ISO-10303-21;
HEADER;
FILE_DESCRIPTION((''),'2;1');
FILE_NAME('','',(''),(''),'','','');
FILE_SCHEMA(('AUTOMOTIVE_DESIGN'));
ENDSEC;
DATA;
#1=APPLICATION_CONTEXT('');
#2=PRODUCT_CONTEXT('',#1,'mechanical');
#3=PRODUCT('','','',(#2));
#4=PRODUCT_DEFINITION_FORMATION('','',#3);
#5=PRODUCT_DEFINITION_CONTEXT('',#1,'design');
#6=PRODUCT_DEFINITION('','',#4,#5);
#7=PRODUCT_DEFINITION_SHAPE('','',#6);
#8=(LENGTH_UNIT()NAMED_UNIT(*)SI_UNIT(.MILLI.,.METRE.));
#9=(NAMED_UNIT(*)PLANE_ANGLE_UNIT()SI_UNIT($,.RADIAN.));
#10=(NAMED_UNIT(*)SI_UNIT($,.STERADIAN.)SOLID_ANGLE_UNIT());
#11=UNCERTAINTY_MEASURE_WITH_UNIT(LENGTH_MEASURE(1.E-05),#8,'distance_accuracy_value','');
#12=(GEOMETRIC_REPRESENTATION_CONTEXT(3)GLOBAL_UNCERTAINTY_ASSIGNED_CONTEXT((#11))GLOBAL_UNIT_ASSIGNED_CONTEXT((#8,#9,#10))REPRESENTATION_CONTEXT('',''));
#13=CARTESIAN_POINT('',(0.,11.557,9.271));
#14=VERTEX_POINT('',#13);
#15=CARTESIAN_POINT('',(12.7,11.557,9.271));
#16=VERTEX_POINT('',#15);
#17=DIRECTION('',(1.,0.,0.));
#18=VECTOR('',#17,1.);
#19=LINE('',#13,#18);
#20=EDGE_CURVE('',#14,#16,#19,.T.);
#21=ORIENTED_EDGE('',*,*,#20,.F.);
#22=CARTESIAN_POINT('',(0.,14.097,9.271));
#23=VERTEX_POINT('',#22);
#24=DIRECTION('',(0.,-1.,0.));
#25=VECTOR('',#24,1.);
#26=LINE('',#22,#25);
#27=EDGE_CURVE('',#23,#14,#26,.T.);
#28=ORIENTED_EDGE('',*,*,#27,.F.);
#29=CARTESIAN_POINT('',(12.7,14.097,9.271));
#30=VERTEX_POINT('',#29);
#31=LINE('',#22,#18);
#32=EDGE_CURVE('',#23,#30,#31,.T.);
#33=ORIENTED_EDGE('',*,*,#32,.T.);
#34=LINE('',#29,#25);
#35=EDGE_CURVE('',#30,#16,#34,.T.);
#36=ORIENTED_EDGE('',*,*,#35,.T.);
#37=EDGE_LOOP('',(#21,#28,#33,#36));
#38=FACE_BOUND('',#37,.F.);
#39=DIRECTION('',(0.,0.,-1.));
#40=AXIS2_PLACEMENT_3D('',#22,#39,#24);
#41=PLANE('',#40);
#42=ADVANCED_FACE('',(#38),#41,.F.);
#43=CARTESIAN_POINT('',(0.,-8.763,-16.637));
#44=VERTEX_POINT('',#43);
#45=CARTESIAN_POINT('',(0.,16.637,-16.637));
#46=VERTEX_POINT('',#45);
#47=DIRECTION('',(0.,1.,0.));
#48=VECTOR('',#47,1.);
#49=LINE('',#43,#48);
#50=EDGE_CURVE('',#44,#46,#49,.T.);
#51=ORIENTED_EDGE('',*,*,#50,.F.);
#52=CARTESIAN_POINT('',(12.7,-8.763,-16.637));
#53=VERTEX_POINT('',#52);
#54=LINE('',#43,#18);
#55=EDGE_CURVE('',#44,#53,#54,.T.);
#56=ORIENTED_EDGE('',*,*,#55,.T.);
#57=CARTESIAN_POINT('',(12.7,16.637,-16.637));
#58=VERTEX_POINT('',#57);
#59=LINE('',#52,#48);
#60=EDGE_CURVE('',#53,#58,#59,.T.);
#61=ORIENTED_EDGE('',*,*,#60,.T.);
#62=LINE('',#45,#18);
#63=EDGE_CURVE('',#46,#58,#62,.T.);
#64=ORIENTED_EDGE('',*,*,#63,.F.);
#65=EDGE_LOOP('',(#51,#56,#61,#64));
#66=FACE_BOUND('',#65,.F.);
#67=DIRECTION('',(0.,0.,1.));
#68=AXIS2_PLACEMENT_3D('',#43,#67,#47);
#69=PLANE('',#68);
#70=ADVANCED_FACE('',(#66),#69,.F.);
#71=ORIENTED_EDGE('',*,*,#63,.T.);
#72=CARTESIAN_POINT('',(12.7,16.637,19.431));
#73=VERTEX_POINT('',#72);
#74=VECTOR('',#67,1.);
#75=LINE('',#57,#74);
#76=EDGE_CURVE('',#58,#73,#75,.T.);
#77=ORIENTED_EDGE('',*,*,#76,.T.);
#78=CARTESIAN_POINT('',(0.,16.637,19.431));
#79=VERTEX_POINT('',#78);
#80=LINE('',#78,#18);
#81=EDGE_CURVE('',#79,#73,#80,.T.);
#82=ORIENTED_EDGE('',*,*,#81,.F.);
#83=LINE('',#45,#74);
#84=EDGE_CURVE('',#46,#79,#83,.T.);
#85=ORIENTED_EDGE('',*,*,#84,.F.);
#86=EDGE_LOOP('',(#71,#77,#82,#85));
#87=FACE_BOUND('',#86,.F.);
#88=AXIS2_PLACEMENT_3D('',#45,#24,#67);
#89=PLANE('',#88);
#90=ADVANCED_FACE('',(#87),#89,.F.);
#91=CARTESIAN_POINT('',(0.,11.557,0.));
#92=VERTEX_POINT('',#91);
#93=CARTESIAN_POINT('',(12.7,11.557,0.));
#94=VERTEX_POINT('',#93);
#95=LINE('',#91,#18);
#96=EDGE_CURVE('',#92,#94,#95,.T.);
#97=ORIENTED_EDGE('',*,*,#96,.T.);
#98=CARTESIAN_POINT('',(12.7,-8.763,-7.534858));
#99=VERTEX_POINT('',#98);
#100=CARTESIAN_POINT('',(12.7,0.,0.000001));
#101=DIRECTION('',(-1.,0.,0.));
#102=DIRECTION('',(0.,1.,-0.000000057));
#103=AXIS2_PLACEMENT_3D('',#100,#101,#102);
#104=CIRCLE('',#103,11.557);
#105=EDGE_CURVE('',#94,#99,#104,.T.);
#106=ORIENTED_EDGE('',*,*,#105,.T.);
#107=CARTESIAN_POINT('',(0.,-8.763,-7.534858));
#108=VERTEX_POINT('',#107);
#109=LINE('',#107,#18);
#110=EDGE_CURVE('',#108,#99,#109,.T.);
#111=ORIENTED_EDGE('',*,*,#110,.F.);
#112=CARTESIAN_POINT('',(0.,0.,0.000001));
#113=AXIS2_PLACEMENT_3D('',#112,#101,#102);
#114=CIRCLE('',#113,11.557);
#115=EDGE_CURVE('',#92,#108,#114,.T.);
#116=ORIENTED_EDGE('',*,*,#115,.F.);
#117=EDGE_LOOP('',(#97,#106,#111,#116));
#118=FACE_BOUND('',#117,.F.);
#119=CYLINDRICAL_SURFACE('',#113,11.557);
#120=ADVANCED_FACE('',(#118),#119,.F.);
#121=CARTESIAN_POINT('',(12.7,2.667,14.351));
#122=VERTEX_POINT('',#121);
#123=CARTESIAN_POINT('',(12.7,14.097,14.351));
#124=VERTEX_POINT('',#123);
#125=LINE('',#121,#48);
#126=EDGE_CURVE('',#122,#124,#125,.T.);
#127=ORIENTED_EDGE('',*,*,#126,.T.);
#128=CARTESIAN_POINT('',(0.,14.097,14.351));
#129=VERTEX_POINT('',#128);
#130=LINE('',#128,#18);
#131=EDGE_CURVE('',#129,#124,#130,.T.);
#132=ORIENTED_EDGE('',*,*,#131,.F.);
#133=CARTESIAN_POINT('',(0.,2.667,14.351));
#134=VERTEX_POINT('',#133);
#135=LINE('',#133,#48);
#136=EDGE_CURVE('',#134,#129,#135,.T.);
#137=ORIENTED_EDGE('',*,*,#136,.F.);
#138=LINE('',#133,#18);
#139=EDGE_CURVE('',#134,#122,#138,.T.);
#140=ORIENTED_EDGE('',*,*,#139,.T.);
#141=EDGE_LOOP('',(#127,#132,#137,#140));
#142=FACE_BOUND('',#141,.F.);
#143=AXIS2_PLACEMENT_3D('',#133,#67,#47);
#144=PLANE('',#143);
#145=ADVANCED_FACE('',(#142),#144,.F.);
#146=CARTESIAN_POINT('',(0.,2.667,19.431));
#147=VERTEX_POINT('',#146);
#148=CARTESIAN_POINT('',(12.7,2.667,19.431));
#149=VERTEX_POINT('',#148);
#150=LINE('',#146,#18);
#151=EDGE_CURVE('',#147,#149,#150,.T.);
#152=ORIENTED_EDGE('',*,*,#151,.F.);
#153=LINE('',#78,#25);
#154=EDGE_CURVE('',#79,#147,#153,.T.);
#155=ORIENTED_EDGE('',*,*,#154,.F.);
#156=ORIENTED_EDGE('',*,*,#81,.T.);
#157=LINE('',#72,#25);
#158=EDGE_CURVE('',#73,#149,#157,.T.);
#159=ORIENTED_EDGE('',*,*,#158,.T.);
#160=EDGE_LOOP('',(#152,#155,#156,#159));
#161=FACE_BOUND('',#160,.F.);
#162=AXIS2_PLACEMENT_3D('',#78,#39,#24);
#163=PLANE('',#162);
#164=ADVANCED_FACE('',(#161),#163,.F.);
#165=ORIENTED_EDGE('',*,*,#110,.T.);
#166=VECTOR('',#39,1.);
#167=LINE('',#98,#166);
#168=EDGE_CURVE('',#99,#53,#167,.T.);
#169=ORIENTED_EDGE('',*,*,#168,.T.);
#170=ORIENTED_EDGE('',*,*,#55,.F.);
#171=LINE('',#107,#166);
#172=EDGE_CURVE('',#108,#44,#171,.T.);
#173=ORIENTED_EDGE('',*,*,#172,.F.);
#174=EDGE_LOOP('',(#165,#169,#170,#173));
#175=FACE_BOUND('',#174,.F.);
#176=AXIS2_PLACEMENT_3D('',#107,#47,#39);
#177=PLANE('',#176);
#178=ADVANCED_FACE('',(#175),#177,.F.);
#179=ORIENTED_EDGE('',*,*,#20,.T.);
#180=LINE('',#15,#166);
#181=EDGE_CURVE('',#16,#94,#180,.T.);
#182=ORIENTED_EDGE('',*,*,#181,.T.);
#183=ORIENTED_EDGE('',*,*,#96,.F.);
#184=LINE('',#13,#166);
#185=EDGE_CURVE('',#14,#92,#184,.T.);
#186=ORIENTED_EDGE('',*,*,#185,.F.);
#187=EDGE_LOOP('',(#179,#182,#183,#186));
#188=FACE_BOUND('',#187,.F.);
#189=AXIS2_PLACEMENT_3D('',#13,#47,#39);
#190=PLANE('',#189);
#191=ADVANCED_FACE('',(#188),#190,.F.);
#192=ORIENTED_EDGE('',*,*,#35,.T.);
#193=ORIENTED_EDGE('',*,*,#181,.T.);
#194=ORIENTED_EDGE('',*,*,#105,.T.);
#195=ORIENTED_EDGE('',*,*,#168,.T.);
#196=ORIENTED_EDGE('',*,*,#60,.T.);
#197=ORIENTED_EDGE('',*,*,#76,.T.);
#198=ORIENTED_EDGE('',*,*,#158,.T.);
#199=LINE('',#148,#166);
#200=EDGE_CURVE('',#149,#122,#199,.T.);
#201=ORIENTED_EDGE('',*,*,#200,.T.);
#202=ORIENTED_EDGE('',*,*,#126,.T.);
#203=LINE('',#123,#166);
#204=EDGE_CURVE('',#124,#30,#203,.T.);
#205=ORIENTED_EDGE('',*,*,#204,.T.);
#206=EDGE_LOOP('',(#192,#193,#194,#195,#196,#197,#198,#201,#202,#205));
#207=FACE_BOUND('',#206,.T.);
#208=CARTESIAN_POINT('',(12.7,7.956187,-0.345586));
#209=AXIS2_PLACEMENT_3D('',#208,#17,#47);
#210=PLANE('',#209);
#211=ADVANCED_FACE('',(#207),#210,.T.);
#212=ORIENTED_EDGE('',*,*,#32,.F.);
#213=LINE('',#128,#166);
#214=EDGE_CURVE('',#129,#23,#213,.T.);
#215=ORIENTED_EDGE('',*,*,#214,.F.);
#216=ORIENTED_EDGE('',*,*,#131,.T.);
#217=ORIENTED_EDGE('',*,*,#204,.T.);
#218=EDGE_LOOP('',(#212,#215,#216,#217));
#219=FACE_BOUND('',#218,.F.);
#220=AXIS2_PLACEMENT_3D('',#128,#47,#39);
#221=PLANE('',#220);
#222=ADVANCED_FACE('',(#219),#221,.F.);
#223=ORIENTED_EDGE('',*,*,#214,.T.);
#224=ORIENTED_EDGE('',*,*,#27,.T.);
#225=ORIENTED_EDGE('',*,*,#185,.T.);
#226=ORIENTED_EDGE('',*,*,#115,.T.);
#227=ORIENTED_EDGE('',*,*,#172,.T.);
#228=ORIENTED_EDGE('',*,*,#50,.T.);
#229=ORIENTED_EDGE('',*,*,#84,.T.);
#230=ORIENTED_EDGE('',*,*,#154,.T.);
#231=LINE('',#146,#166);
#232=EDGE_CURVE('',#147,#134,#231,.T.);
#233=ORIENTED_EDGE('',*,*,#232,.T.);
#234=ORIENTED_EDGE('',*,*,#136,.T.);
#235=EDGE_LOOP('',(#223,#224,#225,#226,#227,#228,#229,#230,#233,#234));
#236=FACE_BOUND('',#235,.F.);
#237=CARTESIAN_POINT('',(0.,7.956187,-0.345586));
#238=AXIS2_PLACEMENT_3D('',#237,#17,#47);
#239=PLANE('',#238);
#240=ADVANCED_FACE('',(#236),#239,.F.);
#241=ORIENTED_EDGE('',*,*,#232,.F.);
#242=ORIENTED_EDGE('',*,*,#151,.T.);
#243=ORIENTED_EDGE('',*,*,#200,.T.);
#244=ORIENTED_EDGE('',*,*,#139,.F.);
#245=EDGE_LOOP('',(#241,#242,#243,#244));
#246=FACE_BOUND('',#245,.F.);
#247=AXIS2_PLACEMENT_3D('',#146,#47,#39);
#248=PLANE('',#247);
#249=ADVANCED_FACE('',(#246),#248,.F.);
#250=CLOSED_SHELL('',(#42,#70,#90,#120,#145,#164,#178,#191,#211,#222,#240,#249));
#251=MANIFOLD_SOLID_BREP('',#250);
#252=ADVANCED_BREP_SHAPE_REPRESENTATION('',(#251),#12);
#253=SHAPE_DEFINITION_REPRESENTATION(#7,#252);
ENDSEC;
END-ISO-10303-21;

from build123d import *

# Parameters (mm, degrees)
F1_DEPTH = 12.7


with BuildPart() as f1:
    # F0 (on Right) → F1 (new body)
    with BuildSketch(Plane.YZ):
        with BuildLine():
            ThreePointArc((11.557, 0), (4.0181, -10.83601), (-8.763, -7.534858))
            Line((-8.763, -7.534858), (-8.763, -16.637))
            Line((-8.763, -16.637), (11.557, -16.637))
            Line((11.557, -16.637), (16.637, -16.637))
            Line((16.637, -16.637), (16.637, 19.431))
            Line((16.637, 19.431), (2.667, 19.431))
            Line((2.667, 19.431), (2.667, 14.351))
            Line((2.667, 14.351), (11.557, 14.351))
            Line((11.557, 14.351), (14.097, 14.351))
            Line((14.097, 14.351), (14.097, 9.271))
            Line((14.097, 9.271), (11.557, 9.271))
            Line((11.557, 9.271), (11.557, 0))
        make_face()
    extrude(amount=F1_DEPTH)


solid = f1.part
